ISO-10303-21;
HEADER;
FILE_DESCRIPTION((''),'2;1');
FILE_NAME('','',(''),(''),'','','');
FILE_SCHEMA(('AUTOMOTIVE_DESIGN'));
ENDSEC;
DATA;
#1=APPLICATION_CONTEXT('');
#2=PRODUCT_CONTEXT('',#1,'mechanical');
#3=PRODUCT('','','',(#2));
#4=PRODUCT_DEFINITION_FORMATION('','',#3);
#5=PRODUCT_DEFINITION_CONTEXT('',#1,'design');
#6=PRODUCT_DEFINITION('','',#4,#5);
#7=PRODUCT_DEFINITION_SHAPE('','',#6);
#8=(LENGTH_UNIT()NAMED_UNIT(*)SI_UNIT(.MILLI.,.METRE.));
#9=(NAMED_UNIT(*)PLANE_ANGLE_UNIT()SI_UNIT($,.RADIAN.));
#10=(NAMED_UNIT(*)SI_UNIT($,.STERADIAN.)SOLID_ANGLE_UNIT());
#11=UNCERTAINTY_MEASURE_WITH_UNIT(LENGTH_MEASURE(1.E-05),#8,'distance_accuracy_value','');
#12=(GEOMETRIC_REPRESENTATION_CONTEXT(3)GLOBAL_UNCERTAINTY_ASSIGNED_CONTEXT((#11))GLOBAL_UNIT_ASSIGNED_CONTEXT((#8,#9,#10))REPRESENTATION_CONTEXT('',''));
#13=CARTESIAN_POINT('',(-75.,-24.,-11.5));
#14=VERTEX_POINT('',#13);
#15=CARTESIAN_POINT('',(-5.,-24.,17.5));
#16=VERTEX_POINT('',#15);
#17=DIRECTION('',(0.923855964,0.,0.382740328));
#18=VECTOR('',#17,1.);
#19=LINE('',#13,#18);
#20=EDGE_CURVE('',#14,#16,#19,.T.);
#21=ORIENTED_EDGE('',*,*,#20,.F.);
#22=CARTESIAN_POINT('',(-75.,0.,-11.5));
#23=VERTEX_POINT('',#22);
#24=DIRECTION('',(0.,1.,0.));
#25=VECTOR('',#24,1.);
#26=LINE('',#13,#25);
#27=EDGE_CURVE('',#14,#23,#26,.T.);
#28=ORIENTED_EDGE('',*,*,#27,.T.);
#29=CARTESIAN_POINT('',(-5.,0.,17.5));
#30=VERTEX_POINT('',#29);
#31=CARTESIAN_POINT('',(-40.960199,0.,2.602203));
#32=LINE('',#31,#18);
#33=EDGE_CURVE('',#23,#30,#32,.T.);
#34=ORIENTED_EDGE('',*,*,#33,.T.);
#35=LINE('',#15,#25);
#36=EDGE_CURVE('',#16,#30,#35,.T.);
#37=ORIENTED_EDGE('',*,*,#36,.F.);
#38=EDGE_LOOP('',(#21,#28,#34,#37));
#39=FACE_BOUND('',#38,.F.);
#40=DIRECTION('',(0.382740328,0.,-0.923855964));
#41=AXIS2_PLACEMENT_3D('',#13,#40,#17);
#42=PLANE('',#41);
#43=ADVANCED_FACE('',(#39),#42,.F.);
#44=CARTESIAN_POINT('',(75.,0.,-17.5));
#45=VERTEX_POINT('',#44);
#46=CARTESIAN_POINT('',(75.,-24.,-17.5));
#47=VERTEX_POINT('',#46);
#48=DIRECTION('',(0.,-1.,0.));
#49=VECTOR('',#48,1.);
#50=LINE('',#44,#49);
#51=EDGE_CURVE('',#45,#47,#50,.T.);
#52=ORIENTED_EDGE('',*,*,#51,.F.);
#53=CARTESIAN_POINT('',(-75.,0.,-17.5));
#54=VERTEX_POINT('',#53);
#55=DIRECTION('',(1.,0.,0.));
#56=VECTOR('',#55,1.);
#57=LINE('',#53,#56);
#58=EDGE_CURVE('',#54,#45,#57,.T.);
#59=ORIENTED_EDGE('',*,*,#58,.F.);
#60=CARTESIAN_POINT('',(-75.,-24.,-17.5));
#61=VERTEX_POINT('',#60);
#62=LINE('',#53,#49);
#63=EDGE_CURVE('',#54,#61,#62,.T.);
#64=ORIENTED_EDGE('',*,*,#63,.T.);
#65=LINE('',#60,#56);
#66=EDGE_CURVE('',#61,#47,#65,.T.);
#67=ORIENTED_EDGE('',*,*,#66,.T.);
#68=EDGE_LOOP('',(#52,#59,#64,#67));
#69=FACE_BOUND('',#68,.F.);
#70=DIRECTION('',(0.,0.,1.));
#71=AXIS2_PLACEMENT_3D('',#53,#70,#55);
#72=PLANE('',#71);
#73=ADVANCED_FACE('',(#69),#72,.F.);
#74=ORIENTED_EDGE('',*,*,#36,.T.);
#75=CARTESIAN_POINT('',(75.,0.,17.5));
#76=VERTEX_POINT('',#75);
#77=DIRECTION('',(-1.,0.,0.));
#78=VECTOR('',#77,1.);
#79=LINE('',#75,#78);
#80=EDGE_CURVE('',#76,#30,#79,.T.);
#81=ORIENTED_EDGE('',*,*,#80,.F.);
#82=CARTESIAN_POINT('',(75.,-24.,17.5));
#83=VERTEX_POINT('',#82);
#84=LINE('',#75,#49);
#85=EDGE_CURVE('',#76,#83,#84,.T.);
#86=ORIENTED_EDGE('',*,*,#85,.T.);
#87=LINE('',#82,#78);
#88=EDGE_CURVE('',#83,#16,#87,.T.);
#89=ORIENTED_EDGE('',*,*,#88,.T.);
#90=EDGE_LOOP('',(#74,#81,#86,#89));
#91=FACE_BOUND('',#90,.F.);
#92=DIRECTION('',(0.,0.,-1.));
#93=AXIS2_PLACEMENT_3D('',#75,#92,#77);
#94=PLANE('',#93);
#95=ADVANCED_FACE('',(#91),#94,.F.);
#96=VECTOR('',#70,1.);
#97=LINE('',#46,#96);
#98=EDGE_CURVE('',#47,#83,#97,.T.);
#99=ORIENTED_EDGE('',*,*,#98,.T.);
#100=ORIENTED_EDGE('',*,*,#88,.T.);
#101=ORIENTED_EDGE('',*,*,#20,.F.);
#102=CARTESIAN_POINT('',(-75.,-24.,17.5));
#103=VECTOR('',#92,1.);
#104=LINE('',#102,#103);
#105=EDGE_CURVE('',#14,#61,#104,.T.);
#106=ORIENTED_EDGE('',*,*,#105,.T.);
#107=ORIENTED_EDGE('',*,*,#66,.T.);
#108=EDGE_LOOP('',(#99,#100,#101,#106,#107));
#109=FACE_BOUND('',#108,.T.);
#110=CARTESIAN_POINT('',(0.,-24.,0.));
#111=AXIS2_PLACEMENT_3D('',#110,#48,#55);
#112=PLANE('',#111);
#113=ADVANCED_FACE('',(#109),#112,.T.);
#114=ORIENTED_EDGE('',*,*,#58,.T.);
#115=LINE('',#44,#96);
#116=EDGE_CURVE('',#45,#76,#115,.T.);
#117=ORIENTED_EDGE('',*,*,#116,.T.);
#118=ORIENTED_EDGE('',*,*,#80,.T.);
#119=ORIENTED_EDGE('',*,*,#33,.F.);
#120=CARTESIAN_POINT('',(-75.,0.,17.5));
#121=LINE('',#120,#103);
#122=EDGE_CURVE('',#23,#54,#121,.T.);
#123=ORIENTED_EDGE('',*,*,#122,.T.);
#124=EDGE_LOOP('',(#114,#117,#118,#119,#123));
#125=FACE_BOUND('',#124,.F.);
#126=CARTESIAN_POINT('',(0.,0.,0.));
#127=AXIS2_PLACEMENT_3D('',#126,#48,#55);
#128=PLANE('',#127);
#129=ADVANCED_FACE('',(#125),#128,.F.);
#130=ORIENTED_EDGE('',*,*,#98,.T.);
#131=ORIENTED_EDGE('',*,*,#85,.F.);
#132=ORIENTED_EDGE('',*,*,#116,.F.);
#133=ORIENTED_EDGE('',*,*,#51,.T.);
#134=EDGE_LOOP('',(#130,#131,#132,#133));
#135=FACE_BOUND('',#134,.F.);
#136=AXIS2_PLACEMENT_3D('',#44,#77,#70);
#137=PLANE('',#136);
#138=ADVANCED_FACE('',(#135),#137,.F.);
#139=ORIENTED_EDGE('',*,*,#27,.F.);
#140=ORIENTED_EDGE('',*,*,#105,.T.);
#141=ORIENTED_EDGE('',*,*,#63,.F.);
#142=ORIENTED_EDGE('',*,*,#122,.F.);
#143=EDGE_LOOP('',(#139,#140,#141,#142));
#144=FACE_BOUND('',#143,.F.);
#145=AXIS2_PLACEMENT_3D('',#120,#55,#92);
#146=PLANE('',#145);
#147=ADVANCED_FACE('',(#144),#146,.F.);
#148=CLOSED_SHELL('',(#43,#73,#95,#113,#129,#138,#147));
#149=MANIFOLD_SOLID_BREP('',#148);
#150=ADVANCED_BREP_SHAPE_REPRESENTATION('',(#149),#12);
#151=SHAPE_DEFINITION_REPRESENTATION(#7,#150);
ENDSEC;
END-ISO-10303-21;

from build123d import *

# Parameters (mm, degrees)
F1_DEPTH = 24
F3_DEPTH = 25


with BuildPart() as f1:
    # F0 (on Front) → F1 (new body)
    with BuildSketch(Plane.XZ):
        Polygon((75, 17.5), (-75, 17.5), (-75, -17.5), (75, -17.5), (75, -11.81771), align=None)
    extrude(amount=F1_DEPTH)

    # F2 (on face) → F3 (cut)
    with BuildSketch(Plane.XZ.offset(24)):
        Polygon((-5, 17.5), (-75, 17.5), (-75, -11.5), align=None)
    extrude(amount=-F3_DEPTH, mode=Mode.SUBTRACT)


solid = f1.part
